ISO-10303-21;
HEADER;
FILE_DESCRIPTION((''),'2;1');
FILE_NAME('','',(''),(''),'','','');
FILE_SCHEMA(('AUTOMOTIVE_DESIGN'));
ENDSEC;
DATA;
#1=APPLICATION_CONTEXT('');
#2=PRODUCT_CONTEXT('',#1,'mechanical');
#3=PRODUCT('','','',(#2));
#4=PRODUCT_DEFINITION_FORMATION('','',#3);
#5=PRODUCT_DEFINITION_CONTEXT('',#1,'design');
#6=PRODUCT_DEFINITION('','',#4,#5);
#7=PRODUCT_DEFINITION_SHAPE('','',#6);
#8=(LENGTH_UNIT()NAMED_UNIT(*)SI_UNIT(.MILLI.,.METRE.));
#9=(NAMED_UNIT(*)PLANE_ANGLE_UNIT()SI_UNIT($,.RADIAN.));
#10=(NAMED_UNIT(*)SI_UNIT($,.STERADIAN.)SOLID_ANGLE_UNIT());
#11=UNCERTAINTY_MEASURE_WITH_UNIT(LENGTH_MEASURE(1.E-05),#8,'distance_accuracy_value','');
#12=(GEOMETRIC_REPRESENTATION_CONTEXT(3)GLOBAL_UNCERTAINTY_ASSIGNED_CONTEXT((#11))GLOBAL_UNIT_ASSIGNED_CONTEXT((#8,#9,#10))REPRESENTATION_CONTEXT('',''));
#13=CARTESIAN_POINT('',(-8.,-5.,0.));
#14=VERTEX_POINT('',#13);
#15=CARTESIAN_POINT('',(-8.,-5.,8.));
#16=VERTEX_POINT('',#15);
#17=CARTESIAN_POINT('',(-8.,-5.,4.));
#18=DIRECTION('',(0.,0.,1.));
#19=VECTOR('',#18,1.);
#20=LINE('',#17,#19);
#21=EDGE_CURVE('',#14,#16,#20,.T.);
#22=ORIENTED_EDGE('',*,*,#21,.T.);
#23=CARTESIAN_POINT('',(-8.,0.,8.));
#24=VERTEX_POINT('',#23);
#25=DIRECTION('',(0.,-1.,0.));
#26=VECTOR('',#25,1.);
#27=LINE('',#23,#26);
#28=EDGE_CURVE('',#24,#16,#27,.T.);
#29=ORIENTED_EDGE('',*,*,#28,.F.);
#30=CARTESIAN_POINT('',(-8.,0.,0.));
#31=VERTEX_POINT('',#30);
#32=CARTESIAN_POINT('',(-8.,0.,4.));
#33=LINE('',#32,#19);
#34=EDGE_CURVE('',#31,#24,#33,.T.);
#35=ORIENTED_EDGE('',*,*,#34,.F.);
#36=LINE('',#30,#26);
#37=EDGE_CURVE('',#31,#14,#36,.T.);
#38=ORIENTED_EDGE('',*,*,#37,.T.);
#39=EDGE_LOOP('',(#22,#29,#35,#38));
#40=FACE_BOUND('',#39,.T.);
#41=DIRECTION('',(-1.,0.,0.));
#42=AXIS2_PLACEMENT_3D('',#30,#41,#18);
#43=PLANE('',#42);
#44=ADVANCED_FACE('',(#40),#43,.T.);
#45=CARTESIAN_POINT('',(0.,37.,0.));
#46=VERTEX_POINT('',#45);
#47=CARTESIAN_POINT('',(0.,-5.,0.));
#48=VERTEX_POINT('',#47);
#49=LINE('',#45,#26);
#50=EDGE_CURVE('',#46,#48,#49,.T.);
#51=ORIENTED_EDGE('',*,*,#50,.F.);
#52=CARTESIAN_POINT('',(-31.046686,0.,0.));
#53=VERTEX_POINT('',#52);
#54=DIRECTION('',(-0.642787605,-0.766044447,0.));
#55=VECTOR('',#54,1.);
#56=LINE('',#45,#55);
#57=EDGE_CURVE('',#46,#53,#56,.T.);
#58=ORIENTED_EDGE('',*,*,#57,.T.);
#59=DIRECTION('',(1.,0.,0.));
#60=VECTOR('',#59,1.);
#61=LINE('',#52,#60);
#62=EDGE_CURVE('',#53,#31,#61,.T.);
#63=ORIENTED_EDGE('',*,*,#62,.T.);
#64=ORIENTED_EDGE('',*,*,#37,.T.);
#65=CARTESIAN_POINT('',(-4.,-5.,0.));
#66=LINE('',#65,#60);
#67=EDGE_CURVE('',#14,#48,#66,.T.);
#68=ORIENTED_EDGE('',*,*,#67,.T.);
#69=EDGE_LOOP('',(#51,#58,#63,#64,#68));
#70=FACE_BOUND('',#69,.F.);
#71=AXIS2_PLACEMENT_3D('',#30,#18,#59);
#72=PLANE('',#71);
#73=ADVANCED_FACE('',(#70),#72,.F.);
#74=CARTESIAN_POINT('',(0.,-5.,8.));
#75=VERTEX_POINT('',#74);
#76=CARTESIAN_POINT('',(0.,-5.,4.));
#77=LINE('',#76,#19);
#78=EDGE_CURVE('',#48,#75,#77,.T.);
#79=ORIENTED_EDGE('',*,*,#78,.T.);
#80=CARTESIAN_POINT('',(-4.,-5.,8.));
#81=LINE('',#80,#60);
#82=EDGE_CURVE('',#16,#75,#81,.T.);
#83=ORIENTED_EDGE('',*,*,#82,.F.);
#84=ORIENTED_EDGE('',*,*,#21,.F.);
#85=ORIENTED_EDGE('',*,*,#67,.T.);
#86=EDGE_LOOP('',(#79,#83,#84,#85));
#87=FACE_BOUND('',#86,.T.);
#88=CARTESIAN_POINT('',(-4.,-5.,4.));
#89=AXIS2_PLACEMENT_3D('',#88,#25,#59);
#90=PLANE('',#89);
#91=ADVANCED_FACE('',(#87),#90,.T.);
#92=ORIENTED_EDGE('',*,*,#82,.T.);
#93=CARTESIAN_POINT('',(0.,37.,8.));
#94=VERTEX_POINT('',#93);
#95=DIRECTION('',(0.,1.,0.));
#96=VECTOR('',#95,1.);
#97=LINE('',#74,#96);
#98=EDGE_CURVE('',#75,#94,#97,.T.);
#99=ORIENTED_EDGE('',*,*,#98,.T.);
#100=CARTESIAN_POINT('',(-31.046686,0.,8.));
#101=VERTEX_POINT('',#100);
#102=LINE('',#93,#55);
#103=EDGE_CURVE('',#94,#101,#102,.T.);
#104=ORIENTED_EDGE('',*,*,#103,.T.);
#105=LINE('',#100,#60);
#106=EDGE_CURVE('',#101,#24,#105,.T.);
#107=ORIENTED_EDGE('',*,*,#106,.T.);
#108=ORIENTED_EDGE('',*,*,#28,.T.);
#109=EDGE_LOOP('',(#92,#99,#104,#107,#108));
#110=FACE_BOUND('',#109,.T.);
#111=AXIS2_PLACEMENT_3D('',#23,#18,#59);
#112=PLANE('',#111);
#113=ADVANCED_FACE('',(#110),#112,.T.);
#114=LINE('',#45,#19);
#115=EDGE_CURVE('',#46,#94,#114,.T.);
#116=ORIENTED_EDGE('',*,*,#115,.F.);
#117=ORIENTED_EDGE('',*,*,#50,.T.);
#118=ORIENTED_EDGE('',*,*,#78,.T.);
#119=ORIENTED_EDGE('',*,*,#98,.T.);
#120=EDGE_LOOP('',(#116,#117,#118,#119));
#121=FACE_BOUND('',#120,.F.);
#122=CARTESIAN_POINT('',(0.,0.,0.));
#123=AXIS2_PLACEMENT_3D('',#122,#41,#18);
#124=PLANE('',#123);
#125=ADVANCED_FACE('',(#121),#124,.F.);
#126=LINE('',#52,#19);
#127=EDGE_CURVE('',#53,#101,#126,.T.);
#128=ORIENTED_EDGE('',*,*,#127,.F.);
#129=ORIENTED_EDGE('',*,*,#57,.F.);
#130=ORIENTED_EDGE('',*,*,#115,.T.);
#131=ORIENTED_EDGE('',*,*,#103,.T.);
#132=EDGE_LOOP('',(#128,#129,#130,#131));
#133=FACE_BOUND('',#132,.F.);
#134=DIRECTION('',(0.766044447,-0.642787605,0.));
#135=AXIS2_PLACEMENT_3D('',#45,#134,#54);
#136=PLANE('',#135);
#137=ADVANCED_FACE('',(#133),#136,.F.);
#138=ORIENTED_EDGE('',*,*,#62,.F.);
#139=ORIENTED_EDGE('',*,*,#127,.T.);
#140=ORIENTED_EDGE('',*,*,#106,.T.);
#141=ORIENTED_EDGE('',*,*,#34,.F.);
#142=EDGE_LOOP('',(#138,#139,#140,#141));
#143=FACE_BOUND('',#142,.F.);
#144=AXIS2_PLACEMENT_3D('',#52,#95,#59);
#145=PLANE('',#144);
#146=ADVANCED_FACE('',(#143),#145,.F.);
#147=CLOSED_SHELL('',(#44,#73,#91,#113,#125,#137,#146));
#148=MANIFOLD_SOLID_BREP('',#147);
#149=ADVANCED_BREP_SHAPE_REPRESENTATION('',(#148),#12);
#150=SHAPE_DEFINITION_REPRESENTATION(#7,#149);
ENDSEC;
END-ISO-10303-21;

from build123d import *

# Parameters (mm, degrees)
F1_DEPTH = 8
F2_W     = 8
F2_H     = 8
F3_DEPTH = 5


with BuildPart() as f1:
    # F0 (on Top) → F1 (new body)
    with BuildSketch(Plane.XY):
        Polygon((-31.046686, 0), (0, 0), (0, 37), align=None)
    extrude(amount=F1_DEPTH)

    # F2 (on face) → F3 (join)
    with BuildSketch(Plane.XZ):
        with Locations((-4, 4)):
            Rectangle(F2_W, F2_H)
    extrude(amount=F3_DEPTH)


solid = f1.part
